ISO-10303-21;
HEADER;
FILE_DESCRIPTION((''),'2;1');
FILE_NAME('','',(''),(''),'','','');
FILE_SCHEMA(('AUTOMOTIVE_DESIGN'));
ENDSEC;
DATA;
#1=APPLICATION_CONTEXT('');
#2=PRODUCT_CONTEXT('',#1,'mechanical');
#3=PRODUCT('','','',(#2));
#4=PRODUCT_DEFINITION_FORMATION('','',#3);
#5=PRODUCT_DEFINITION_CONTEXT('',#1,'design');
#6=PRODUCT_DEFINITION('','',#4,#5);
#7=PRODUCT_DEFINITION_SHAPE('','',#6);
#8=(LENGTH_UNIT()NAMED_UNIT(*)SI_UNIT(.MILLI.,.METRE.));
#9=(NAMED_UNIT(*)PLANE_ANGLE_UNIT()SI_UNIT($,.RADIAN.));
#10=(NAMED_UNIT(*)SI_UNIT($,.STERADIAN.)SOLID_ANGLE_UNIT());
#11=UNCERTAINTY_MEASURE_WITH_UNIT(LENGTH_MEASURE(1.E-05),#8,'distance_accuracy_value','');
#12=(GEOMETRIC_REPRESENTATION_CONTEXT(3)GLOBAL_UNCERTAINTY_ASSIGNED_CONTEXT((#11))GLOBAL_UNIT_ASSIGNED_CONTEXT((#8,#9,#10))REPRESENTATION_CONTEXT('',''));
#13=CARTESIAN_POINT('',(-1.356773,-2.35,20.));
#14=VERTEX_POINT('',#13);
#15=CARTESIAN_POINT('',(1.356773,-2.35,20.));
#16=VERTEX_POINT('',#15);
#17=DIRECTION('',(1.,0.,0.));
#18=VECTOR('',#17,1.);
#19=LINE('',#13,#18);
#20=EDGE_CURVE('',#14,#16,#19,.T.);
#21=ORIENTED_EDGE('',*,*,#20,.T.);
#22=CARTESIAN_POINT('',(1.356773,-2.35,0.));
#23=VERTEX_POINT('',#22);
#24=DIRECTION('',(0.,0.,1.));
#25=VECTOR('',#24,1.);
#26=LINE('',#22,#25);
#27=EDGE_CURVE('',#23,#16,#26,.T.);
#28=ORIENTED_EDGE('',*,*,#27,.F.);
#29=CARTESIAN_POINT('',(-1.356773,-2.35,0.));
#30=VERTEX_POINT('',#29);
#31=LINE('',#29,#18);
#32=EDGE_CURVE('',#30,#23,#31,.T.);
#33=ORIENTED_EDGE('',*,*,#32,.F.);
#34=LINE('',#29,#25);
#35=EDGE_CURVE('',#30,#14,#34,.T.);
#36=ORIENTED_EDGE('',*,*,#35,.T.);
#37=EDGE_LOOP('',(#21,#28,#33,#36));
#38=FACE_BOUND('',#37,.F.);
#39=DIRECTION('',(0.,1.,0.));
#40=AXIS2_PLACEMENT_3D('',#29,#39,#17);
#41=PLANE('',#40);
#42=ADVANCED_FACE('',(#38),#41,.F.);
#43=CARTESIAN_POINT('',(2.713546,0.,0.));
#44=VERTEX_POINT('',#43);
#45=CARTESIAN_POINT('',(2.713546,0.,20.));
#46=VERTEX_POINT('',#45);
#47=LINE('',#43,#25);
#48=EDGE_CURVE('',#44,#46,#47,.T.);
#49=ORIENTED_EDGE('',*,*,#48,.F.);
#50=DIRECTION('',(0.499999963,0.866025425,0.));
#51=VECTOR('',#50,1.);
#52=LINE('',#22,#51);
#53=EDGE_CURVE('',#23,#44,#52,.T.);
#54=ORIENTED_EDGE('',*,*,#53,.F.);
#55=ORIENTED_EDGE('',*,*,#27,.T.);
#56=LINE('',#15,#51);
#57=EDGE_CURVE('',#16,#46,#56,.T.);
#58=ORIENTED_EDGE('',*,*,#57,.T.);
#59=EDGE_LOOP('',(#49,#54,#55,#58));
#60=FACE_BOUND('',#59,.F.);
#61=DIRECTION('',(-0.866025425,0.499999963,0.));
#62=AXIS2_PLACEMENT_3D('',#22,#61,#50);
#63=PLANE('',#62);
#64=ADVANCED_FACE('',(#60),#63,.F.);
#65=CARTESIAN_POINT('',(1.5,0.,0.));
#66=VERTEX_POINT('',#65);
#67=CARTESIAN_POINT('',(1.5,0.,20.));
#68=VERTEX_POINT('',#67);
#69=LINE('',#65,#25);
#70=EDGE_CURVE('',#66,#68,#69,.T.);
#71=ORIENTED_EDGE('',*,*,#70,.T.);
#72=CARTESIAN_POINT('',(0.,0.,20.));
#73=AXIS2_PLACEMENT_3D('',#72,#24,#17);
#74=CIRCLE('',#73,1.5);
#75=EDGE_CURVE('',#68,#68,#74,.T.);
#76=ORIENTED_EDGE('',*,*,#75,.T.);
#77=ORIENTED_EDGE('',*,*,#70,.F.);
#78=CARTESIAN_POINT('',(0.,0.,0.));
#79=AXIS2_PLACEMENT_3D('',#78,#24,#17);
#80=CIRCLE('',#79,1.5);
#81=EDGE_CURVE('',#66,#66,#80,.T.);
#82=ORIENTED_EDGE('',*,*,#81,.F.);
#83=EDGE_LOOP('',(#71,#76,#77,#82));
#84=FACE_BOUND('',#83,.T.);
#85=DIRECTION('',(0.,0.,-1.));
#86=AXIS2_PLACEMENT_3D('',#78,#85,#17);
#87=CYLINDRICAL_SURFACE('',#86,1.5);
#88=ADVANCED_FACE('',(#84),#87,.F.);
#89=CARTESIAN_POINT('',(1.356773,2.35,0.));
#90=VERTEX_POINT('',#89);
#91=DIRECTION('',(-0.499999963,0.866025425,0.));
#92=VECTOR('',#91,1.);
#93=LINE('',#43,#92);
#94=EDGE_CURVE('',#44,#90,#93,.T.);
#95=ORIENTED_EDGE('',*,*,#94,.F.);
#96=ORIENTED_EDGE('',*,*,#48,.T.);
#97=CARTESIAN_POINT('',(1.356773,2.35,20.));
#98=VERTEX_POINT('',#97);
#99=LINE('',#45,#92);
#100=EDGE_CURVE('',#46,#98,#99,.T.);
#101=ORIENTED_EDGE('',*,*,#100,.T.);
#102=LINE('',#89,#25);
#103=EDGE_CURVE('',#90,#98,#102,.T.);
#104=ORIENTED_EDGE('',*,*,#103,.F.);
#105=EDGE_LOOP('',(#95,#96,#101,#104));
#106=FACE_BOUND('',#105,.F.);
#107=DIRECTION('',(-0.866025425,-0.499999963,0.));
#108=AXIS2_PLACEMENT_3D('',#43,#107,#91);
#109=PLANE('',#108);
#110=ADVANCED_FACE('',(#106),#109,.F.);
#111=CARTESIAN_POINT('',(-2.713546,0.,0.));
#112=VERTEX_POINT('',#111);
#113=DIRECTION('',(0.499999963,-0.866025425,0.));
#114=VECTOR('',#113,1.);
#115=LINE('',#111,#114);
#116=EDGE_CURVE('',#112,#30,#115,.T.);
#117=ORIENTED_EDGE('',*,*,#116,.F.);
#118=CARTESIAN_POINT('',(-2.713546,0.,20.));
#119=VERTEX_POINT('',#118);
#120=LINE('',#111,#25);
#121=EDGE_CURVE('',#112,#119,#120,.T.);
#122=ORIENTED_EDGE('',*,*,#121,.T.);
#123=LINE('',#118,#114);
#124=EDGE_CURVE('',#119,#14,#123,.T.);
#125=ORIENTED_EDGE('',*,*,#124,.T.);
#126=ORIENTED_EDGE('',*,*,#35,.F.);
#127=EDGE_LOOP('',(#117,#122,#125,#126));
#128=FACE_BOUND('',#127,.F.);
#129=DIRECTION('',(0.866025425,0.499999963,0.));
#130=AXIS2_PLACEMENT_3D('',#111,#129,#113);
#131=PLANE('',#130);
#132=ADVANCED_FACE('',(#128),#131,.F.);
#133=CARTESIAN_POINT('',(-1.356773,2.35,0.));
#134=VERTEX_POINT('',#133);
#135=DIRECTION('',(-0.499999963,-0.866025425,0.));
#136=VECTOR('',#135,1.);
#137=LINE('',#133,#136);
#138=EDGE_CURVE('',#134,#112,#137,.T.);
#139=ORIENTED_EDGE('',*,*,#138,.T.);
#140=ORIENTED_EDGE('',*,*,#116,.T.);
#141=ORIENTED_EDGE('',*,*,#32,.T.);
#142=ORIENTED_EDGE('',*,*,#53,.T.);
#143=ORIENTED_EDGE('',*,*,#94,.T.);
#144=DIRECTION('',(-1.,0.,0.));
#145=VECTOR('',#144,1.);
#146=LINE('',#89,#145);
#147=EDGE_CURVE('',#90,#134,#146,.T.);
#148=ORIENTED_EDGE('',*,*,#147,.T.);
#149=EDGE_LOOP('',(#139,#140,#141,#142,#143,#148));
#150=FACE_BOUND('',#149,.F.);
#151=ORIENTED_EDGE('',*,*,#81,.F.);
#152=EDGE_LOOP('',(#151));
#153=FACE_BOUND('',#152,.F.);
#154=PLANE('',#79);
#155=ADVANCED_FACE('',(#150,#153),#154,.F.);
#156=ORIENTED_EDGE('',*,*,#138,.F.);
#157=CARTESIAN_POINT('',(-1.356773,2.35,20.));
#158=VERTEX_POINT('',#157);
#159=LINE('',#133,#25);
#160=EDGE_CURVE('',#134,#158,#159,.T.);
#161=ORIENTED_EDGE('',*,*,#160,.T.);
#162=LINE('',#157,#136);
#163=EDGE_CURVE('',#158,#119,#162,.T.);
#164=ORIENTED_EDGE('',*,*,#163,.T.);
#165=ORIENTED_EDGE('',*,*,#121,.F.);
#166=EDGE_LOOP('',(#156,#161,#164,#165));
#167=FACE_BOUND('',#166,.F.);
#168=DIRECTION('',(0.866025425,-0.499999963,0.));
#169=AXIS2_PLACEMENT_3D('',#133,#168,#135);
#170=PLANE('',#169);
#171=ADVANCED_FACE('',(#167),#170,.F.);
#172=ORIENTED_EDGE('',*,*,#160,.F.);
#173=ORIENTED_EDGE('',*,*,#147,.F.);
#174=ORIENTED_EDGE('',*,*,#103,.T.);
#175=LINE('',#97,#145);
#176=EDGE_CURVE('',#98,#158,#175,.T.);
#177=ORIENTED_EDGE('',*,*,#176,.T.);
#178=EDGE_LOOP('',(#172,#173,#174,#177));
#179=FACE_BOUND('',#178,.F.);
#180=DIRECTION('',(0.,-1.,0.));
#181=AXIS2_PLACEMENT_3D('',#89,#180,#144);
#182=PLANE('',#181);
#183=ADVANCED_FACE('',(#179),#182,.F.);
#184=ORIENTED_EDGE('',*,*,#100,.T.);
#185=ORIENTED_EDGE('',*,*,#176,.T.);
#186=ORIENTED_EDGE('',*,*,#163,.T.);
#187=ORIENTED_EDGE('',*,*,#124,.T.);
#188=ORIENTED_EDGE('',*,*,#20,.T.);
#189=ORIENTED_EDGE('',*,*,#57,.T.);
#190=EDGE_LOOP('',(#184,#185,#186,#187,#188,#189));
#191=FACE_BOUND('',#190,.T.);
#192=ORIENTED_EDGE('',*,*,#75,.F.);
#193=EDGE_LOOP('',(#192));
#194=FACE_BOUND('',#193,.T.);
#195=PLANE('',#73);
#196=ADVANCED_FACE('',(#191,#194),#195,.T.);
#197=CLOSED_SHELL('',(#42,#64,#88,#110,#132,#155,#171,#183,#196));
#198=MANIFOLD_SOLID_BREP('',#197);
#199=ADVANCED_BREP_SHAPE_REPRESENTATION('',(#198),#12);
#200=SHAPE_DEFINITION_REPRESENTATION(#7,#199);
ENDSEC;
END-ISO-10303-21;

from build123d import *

# Parameters (mm, degrees)
SKETCH_R  = 1.5
PAD_DEPTH = 20


with BuildPart() as part:
    # Sketch → Pad (new body)
    with BuildSketch(Plane.XY):
        Polygon((1.356773, -2.35), (2.713546, 0), (1.356773, 2.35), (-1.356773, 2.35), (-2.713546, 0), (-1.356773, -2.35), align=None)
        Circle(SKETCH_R, mode=Mode.SUBTRACT)
    extrude(amount=PAD_DEPTH)


solid = part.part
